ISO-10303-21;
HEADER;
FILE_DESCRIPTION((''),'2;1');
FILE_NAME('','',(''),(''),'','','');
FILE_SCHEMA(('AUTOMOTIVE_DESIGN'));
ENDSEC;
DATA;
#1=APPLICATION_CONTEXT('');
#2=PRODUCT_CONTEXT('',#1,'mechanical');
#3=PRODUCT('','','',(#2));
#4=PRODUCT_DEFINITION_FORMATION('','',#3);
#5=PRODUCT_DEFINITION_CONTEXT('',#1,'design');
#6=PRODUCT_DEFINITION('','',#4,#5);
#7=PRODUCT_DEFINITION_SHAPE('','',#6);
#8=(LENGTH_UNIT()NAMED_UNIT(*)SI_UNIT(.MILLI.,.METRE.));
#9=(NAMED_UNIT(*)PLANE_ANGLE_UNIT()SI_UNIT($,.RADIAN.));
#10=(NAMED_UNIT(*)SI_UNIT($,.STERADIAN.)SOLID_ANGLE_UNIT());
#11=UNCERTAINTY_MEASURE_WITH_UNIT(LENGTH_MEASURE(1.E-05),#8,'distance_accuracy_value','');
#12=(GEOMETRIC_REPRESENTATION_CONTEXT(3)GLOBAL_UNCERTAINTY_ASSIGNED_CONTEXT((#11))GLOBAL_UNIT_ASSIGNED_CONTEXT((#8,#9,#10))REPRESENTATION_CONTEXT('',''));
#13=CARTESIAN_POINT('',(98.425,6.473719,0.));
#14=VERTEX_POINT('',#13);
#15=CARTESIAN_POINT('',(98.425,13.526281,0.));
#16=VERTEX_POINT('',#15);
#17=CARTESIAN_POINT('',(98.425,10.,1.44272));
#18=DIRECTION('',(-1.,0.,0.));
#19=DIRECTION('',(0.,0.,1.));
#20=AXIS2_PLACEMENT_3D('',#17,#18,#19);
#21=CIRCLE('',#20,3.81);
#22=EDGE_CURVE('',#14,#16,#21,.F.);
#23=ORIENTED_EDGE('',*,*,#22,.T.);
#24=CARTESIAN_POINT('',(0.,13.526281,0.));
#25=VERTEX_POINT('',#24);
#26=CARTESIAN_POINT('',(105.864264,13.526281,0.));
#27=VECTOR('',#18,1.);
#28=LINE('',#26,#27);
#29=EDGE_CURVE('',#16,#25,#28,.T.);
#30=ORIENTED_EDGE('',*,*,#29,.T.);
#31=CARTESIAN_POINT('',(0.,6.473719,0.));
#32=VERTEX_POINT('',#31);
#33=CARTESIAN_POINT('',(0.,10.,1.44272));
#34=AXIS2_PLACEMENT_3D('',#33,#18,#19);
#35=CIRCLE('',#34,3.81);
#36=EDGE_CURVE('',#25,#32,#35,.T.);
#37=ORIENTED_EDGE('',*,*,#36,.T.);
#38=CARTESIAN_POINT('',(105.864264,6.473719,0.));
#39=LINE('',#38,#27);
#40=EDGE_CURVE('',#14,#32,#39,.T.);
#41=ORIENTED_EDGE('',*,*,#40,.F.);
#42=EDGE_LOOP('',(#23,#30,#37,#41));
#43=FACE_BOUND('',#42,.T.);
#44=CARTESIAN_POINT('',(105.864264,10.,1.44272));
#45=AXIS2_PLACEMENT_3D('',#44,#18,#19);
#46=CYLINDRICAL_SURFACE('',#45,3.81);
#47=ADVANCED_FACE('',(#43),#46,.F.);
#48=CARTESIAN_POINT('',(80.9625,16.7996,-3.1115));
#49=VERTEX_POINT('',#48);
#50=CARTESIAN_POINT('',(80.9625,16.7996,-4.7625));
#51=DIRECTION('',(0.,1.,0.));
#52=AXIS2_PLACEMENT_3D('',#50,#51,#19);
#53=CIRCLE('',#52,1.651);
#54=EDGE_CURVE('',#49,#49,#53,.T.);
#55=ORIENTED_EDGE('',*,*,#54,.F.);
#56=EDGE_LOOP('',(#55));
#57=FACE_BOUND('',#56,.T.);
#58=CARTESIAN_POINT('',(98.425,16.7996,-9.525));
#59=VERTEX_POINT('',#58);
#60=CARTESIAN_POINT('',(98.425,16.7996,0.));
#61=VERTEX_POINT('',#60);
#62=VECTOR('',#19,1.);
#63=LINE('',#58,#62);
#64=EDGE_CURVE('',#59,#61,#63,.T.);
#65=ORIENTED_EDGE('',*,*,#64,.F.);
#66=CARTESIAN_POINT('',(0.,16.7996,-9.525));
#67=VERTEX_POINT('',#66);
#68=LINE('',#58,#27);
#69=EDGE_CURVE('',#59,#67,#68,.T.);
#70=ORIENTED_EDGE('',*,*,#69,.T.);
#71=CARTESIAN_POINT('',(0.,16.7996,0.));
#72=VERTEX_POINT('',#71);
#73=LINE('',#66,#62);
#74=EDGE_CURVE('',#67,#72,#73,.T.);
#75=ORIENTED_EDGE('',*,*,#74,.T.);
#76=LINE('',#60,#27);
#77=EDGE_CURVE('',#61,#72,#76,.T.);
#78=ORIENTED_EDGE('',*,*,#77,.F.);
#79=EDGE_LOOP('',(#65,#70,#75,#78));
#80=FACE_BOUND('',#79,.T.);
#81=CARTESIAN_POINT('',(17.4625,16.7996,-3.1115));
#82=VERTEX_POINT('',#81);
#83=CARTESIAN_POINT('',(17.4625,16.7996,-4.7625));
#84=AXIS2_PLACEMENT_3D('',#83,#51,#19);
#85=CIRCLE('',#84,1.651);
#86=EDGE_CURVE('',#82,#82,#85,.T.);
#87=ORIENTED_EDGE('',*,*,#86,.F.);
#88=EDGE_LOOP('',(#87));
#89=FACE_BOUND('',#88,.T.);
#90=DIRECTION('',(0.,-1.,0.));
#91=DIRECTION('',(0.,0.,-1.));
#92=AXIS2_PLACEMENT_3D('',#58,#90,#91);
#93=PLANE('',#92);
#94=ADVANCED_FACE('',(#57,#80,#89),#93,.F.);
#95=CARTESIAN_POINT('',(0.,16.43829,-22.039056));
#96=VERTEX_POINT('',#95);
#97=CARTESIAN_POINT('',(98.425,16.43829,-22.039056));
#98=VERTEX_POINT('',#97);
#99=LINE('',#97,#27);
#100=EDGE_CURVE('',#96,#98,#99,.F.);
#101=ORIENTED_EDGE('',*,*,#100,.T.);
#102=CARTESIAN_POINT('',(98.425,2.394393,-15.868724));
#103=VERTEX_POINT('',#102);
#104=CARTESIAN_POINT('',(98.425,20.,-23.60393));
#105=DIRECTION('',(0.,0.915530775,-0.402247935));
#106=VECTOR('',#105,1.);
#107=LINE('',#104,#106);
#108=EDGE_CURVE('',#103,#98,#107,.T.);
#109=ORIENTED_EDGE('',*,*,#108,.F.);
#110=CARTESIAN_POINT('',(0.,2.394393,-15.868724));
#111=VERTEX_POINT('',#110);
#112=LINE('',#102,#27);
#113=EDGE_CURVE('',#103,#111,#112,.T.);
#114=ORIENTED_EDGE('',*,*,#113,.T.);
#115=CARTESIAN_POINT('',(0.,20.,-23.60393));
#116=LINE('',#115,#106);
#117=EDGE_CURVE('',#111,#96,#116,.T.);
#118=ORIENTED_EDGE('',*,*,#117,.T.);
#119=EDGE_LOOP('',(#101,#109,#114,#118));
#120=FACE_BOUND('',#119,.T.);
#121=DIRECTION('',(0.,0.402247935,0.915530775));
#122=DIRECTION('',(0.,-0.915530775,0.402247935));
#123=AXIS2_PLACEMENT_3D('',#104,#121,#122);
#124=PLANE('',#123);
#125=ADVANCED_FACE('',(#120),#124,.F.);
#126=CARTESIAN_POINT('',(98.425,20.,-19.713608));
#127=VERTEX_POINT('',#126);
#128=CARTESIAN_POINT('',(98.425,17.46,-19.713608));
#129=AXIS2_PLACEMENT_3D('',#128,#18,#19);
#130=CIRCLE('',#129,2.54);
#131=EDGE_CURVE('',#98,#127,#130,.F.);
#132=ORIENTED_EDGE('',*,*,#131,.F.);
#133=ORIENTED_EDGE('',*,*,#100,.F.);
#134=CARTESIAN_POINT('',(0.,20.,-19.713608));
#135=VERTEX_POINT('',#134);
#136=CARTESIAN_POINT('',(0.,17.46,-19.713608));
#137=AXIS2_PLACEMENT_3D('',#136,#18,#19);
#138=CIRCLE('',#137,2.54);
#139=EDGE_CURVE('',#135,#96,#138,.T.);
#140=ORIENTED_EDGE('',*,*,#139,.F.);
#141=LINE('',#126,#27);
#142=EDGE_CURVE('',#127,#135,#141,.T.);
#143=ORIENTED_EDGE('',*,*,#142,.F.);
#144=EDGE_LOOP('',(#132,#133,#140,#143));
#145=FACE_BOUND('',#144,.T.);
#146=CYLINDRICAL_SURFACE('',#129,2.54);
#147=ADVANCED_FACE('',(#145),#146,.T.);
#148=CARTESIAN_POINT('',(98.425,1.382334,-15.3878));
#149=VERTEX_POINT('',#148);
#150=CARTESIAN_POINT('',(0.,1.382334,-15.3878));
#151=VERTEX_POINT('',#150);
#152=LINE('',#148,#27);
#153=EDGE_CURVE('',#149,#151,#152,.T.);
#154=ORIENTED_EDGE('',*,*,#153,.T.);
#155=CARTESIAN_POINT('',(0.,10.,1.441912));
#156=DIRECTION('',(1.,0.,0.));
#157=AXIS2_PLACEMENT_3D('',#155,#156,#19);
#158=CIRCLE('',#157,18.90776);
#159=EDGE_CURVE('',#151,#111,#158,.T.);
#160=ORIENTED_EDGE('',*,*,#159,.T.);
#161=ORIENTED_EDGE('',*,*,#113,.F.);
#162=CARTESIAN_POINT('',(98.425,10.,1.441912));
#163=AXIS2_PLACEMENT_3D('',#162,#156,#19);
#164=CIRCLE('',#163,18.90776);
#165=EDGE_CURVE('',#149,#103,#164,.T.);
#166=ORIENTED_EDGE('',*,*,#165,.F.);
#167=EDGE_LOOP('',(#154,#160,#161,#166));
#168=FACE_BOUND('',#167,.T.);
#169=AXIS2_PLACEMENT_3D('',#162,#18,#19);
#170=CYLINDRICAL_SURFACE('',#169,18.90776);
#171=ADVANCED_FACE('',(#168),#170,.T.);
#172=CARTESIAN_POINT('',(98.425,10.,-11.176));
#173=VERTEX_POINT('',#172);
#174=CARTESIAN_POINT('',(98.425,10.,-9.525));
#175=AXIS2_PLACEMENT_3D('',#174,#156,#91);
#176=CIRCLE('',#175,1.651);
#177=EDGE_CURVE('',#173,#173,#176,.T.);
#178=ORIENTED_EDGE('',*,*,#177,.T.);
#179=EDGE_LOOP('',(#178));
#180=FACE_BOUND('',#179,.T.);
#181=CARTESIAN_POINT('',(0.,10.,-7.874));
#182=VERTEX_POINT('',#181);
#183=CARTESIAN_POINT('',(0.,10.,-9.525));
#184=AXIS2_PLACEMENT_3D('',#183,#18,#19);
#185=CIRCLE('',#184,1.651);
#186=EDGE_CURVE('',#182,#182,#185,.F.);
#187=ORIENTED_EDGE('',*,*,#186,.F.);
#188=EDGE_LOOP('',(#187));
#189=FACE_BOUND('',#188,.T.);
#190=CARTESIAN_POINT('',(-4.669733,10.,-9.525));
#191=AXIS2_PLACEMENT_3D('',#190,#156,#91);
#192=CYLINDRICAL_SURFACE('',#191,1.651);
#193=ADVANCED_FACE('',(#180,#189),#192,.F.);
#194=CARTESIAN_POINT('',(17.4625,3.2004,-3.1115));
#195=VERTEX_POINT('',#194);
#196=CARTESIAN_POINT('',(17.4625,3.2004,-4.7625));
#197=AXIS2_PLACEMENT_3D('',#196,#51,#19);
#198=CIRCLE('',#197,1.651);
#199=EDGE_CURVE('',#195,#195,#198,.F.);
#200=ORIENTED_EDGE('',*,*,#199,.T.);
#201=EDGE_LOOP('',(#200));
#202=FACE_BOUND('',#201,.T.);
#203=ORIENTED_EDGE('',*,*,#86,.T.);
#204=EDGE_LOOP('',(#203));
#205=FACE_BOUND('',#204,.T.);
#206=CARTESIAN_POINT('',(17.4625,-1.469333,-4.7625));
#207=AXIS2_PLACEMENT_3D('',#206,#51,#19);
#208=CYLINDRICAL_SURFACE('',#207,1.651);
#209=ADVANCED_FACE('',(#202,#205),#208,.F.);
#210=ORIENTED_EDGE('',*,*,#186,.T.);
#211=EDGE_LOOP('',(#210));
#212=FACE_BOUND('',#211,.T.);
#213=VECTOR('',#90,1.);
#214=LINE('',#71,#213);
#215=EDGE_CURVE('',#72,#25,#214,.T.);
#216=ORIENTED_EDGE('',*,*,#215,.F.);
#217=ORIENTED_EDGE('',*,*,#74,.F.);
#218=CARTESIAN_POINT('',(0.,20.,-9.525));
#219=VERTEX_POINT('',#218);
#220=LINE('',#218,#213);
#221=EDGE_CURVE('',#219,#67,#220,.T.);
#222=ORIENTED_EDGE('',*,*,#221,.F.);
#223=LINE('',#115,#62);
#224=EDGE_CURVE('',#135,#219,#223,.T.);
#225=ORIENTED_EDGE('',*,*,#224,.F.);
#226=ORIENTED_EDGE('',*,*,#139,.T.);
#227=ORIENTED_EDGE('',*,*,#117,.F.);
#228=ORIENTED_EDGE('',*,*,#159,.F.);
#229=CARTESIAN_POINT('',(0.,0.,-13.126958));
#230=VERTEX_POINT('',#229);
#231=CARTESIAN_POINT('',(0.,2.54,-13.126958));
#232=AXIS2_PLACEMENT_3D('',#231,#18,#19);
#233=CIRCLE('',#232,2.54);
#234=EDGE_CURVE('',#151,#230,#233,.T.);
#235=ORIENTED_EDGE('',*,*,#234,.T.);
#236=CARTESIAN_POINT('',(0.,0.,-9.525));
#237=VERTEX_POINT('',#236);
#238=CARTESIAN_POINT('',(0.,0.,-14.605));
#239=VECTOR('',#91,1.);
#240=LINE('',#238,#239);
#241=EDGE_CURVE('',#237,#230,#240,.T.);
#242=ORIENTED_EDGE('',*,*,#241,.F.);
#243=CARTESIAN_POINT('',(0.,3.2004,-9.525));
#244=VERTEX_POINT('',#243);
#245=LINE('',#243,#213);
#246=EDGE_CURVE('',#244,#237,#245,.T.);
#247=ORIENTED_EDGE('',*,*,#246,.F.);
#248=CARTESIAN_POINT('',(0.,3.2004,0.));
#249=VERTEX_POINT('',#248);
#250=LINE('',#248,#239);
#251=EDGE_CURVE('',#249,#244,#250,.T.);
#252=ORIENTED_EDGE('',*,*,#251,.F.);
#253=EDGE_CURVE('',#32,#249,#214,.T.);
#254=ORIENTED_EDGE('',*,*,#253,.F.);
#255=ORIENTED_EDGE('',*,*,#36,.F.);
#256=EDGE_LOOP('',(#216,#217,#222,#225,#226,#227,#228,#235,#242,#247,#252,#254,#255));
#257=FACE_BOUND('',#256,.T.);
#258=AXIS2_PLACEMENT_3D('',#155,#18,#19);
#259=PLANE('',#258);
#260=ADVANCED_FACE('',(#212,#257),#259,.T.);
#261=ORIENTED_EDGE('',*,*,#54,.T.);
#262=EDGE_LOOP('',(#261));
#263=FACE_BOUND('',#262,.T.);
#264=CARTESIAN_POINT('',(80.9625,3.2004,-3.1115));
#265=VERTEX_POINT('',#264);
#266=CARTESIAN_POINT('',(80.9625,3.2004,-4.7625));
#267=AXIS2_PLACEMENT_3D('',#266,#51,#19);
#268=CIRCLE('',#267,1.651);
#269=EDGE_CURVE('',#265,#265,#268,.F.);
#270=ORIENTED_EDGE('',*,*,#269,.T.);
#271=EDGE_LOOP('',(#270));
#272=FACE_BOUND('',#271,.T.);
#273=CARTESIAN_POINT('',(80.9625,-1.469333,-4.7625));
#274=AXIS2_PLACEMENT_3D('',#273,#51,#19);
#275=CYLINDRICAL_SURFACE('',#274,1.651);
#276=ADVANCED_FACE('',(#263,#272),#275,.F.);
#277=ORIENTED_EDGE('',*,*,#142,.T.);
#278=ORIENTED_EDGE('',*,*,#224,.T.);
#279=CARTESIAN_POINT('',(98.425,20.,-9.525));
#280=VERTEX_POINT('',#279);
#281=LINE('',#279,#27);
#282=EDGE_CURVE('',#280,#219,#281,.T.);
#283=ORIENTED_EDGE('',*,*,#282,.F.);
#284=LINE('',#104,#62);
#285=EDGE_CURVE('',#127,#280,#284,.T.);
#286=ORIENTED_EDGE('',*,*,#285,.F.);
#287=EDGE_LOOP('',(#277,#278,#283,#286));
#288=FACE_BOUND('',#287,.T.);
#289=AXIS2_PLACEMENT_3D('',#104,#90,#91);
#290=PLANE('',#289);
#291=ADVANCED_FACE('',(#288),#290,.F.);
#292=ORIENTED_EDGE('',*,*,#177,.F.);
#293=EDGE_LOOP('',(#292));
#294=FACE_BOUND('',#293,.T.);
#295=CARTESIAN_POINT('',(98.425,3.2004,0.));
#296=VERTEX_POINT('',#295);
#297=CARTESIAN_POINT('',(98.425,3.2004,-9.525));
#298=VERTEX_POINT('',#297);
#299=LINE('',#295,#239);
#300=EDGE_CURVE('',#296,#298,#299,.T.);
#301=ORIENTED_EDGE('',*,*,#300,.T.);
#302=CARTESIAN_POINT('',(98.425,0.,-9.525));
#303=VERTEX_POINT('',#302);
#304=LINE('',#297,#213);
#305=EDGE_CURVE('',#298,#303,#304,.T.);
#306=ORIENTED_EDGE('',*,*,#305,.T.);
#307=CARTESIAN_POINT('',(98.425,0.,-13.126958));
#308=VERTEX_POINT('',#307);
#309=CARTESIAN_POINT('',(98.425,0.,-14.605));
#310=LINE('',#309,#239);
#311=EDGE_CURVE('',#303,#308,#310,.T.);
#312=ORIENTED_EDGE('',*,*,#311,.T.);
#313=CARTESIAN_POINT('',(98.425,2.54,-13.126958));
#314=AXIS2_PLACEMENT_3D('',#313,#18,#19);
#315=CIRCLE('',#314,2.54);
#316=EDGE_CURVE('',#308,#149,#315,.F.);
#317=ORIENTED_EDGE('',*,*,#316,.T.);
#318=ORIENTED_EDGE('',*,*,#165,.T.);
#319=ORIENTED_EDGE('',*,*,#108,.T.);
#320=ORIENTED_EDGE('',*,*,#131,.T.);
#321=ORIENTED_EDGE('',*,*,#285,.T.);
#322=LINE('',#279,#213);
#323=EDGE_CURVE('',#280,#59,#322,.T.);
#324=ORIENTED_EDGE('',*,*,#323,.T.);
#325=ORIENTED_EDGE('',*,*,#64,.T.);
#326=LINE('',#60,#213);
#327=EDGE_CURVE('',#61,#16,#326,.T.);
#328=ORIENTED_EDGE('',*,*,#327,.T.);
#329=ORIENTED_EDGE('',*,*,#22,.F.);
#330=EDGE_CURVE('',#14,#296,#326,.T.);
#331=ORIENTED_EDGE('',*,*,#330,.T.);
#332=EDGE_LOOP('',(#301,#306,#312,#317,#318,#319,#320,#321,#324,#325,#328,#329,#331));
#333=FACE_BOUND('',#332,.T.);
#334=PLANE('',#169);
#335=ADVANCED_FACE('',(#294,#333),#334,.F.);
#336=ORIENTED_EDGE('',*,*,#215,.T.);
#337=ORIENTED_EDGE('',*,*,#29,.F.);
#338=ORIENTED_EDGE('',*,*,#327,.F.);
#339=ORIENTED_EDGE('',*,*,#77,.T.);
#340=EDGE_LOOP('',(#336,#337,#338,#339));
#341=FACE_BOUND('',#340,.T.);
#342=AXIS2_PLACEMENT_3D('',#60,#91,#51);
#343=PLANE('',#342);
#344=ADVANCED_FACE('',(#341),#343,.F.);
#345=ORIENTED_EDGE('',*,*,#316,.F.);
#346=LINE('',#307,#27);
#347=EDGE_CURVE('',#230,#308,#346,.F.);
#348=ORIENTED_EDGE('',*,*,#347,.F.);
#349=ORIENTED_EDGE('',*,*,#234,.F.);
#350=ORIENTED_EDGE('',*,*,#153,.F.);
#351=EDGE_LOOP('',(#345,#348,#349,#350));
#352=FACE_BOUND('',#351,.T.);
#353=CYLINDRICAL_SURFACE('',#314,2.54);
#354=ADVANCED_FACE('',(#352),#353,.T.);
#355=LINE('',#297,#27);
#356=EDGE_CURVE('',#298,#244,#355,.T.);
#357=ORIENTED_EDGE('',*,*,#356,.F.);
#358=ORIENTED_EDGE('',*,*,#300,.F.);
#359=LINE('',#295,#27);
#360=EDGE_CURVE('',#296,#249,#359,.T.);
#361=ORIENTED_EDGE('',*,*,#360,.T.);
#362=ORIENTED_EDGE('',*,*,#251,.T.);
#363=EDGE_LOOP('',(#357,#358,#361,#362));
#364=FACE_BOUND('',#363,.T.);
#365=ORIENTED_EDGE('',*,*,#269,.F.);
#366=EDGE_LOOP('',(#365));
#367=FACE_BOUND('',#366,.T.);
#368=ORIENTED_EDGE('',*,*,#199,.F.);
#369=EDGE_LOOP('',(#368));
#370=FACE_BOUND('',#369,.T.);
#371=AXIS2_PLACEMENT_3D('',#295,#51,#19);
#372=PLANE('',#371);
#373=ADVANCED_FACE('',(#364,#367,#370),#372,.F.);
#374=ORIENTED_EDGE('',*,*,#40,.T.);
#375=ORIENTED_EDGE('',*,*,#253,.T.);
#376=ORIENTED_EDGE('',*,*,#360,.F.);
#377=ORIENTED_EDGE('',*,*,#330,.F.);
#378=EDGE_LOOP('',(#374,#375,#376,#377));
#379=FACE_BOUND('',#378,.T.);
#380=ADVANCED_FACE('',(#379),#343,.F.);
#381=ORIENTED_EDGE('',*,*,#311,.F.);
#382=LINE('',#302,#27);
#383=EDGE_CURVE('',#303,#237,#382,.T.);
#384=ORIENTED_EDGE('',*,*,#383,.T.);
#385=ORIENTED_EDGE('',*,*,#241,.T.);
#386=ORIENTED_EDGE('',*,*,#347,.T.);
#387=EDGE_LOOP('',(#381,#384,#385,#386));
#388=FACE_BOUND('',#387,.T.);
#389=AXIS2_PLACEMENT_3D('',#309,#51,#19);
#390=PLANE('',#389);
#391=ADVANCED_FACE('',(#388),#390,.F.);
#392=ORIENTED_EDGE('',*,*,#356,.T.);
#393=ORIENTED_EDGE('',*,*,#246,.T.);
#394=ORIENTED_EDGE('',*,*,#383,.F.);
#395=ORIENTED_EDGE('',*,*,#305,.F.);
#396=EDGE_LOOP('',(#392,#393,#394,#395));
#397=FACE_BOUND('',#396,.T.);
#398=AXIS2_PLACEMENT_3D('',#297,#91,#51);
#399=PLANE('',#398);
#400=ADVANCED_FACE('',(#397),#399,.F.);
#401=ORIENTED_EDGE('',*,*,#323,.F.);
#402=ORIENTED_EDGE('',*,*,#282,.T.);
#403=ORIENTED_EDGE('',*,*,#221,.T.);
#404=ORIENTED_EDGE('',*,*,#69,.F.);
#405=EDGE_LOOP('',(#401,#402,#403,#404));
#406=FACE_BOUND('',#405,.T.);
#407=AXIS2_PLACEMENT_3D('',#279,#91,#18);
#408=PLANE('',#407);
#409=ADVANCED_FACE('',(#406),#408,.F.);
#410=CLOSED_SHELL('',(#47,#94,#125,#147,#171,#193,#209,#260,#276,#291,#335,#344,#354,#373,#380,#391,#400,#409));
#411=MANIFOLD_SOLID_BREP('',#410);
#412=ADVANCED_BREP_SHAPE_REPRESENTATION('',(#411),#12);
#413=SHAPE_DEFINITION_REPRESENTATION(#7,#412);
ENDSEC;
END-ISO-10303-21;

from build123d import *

# Parameters (mm, degrees)
BOSS_EXTRUDE1_DEPTH = 98.425
CUT_EXTRUDE2_DEPTH  = 98.425
SKETCH5_R           = 1.651
CUT_EXTRUDE3_DEPTH  = 13.5992
FILLET1_R           = 2.54
SKETCH6_R           = 1.651
CUT_EXTRUDE4_DEPTH  = 98.425


with BuildPart() as part:
    # Sketch1 → Boss-Extrude1 (new body)
    with BuildSketch(Plane(origin=(0, 0, 0), x_dir=(0, 0, -1), z_dir=(1, 0, 0))):
        with BuildLine():
            Line((0, 16.7996), (0, 3.2004))
            Line((0, 3.2004), (9.525, 3.2004))
            Line((9.525, 3.2004), (9.525, 0))
            Line((9.525, 0), (14.605, 0))
            ThreePointArc((14.605, 0), (15.279774052, 1.174548121), (15.868724182, 2.394392806))
            Line((15.868724182, 2.394392806), (23.603930172, 20))
            Line((23.603930172, 20), (9.525, 20))
            Line((9.525, 20), (9.525, 16.7996))
            Line((9.525, 16.7996), (0, 16.7996))
        make_face()
    extrude(amount=BOSS_EXTRUDE1_DEPTH)

    # Sketch4 → Cut-Extrude2 (cut)
    with BuildSketch(Plane.ZY):
        with BuildLine():
            Line((0, 13.526281186), (0, 6.473718814))
            ThreePointArc((0, 6.473718814), (-2.36728, 10), (0, 13.526281186))
        make_face()
    extrude(amount=-CUT_EXTRUDE2_DEPTH, mode=Mode.SUBTRACT)

    # Sketch5 → Cut-Extrude3 (cut)
    with BuildSketch(Plane(origin=(0, 16.7996, 0), x_dir=(1, 0, 0), z_dir=(0, 1, 0))):
        with Locations((17.4625, 4.7625)):
            Circle(SKETCH5_R)
        with Locations((80.9625, 4.7625)):
            Circle(SKETCH5_R)
    extrude(amount=-CUT_EXTRUDE3_DEPTH, mode=Mode.SUBTRACT)

    # Fillet1
    fillet1_edges = [part.edges().sort_by_distance(p)[0] for p in [
        (49.2125, 20, -23.603930172),
        (49.2125, 0, -14.605),
    ]]
    fillet(fillet1_edges, radius=FILLET1_R)

    # Sketch6 → Cut-Extrude4 (cut)
    with BuildSketch(Plane(origin=(98.425, 0, 0), x_dir=(0, 0, -1), z_dir=(1, 0, 0))):
        with Locations((9.525, 10)):
            Circle(SKETCH6_R)
    extrude(amount=-CUT_EXTRUDE4_DEPTH, mode=Mode.SUBTRACT)


solid = part.part
